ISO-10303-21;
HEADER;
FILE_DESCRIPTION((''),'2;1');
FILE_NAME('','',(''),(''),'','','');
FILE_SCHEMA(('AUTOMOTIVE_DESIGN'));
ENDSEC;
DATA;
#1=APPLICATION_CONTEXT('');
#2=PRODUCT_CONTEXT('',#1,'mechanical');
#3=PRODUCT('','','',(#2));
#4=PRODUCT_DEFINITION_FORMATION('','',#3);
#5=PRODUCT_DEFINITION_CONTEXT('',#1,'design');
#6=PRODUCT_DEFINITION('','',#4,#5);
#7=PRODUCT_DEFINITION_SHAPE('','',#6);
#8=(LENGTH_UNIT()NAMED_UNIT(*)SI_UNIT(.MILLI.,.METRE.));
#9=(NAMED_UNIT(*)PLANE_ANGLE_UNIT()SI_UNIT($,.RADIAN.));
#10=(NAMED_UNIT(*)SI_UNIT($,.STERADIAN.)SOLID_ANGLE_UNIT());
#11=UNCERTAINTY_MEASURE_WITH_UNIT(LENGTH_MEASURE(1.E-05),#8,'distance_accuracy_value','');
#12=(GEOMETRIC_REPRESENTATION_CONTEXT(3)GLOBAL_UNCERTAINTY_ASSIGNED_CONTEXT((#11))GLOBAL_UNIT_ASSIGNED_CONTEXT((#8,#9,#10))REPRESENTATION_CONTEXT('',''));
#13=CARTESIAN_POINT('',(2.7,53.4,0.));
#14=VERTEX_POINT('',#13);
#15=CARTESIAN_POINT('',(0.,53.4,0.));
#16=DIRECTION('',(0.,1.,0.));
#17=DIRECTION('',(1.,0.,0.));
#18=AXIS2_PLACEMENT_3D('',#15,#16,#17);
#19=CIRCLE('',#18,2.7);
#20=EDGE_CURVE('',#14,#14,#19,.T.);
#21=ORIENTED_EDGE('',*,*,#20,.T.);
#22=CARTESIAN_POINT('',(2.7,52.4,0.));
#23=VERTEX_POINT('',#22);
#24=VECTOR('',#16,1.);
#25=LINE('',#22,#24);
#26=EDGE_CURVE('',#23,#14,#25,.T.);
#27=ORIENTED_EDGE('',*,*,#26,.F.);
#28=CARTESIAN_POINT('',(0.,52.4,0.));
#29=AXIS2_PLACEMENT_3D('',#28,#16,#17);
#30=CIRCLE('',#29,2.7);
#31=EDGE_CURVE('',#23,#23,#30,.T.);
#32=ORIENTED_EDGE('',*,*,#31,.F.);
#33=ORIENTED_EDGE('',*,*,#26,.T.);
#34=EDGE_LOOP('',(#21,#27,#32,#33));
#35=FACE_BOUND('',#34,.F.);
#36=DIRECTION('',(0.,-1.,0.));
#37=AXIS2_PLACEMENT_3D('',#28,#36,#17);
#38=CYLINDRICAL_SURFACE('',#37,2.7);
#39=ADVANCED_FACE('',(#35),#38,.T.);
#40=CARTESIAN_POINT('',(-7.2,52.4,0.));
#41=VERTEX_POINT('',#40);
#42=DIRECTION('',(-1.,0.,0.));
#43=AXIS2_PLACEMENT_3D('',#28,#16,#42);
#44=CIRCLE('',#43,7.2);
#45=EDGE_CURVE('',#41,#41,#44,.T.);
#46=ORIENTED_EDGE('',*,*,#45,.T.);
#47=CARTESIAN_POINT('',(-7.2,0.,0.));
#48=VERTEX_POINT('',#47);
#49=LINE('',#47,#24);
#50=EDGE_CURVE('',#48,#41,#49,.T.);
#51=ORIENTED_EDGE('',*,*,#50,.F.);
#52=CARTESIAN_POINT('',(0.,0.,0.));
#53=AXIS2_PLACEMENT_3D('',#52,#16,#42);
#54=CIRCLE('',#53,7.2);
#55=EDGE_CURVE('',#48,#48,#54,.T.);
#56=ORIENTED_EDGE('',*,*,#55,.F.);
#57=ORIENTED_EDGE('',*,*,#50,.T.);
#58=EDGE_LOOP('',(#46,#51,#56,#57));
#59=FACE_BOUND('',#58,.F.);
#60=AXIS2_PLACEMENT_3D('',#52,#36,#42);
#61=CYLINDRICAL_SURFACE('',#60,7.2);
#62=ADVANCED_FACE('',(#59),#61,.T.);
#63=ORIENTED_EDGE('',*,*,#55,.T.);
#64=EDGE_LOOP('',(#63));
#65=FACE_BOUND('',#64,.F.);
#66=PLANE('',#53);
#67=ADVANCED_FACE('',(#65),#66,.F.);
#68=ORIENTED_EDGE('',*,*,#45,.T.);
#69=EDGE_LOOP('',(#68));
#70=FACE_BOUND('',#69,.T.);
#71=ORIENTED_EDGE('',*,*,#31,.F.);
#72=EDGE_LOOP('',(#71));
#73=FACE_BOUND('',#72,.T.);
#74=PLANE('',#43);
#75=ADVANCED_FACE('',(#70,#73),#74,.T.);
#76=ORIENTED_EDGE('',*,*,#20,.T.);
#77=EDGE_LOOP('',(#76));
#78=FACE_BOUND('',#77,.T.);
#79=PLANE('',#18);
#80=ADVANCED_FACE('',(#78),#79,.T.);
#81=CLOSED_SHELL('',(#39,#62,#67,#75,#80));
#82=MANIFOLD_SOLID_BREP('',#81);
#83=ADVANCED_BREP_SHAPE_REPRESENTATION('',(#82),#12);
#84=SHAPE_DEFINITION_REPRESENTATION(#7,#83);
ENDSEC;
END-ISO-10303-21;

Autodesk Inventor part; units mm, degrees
ref_plane "YZ Plane" through (0, 0, 0) normal (1, 0, 0) x (0, 1, 0)
ref_plane "XZ Plane" through (0, 0, 0) normal (0, 1, 0) x (-1, 0, 0)
ref_plane "XY Plane" through (0, 0, 0) normal (0, 0, 1) x (1, 0, 0)
sketch "Boceto1" plane through (0, 0, 0) normal (0, 1, 0) x (-1, 0, 0)
  circle A0 centre (0, 0) radius 7.2
  dimension "d0" = 14.4
extrude "Extrusión1" add sketch "Boceto1" along normal blind 52.4
sketch "Boceto2" plane through (0, 52.4, 0) normal (0, 1, 0) x (1, 0, 0)
  circle A0 centre (0, 0) radius 2.7
  dimension "d3" = 5.4
extrude "Extrusión2" add sketch "Boceto2" along normal blind 1
sketch "Boceto3" plane through (0, 0, 0) normal (0, -1, 0) x (1, 0, 0)
  circle A0 centre (0, 0) radius 7.2 projected
properties part number "bateria"
